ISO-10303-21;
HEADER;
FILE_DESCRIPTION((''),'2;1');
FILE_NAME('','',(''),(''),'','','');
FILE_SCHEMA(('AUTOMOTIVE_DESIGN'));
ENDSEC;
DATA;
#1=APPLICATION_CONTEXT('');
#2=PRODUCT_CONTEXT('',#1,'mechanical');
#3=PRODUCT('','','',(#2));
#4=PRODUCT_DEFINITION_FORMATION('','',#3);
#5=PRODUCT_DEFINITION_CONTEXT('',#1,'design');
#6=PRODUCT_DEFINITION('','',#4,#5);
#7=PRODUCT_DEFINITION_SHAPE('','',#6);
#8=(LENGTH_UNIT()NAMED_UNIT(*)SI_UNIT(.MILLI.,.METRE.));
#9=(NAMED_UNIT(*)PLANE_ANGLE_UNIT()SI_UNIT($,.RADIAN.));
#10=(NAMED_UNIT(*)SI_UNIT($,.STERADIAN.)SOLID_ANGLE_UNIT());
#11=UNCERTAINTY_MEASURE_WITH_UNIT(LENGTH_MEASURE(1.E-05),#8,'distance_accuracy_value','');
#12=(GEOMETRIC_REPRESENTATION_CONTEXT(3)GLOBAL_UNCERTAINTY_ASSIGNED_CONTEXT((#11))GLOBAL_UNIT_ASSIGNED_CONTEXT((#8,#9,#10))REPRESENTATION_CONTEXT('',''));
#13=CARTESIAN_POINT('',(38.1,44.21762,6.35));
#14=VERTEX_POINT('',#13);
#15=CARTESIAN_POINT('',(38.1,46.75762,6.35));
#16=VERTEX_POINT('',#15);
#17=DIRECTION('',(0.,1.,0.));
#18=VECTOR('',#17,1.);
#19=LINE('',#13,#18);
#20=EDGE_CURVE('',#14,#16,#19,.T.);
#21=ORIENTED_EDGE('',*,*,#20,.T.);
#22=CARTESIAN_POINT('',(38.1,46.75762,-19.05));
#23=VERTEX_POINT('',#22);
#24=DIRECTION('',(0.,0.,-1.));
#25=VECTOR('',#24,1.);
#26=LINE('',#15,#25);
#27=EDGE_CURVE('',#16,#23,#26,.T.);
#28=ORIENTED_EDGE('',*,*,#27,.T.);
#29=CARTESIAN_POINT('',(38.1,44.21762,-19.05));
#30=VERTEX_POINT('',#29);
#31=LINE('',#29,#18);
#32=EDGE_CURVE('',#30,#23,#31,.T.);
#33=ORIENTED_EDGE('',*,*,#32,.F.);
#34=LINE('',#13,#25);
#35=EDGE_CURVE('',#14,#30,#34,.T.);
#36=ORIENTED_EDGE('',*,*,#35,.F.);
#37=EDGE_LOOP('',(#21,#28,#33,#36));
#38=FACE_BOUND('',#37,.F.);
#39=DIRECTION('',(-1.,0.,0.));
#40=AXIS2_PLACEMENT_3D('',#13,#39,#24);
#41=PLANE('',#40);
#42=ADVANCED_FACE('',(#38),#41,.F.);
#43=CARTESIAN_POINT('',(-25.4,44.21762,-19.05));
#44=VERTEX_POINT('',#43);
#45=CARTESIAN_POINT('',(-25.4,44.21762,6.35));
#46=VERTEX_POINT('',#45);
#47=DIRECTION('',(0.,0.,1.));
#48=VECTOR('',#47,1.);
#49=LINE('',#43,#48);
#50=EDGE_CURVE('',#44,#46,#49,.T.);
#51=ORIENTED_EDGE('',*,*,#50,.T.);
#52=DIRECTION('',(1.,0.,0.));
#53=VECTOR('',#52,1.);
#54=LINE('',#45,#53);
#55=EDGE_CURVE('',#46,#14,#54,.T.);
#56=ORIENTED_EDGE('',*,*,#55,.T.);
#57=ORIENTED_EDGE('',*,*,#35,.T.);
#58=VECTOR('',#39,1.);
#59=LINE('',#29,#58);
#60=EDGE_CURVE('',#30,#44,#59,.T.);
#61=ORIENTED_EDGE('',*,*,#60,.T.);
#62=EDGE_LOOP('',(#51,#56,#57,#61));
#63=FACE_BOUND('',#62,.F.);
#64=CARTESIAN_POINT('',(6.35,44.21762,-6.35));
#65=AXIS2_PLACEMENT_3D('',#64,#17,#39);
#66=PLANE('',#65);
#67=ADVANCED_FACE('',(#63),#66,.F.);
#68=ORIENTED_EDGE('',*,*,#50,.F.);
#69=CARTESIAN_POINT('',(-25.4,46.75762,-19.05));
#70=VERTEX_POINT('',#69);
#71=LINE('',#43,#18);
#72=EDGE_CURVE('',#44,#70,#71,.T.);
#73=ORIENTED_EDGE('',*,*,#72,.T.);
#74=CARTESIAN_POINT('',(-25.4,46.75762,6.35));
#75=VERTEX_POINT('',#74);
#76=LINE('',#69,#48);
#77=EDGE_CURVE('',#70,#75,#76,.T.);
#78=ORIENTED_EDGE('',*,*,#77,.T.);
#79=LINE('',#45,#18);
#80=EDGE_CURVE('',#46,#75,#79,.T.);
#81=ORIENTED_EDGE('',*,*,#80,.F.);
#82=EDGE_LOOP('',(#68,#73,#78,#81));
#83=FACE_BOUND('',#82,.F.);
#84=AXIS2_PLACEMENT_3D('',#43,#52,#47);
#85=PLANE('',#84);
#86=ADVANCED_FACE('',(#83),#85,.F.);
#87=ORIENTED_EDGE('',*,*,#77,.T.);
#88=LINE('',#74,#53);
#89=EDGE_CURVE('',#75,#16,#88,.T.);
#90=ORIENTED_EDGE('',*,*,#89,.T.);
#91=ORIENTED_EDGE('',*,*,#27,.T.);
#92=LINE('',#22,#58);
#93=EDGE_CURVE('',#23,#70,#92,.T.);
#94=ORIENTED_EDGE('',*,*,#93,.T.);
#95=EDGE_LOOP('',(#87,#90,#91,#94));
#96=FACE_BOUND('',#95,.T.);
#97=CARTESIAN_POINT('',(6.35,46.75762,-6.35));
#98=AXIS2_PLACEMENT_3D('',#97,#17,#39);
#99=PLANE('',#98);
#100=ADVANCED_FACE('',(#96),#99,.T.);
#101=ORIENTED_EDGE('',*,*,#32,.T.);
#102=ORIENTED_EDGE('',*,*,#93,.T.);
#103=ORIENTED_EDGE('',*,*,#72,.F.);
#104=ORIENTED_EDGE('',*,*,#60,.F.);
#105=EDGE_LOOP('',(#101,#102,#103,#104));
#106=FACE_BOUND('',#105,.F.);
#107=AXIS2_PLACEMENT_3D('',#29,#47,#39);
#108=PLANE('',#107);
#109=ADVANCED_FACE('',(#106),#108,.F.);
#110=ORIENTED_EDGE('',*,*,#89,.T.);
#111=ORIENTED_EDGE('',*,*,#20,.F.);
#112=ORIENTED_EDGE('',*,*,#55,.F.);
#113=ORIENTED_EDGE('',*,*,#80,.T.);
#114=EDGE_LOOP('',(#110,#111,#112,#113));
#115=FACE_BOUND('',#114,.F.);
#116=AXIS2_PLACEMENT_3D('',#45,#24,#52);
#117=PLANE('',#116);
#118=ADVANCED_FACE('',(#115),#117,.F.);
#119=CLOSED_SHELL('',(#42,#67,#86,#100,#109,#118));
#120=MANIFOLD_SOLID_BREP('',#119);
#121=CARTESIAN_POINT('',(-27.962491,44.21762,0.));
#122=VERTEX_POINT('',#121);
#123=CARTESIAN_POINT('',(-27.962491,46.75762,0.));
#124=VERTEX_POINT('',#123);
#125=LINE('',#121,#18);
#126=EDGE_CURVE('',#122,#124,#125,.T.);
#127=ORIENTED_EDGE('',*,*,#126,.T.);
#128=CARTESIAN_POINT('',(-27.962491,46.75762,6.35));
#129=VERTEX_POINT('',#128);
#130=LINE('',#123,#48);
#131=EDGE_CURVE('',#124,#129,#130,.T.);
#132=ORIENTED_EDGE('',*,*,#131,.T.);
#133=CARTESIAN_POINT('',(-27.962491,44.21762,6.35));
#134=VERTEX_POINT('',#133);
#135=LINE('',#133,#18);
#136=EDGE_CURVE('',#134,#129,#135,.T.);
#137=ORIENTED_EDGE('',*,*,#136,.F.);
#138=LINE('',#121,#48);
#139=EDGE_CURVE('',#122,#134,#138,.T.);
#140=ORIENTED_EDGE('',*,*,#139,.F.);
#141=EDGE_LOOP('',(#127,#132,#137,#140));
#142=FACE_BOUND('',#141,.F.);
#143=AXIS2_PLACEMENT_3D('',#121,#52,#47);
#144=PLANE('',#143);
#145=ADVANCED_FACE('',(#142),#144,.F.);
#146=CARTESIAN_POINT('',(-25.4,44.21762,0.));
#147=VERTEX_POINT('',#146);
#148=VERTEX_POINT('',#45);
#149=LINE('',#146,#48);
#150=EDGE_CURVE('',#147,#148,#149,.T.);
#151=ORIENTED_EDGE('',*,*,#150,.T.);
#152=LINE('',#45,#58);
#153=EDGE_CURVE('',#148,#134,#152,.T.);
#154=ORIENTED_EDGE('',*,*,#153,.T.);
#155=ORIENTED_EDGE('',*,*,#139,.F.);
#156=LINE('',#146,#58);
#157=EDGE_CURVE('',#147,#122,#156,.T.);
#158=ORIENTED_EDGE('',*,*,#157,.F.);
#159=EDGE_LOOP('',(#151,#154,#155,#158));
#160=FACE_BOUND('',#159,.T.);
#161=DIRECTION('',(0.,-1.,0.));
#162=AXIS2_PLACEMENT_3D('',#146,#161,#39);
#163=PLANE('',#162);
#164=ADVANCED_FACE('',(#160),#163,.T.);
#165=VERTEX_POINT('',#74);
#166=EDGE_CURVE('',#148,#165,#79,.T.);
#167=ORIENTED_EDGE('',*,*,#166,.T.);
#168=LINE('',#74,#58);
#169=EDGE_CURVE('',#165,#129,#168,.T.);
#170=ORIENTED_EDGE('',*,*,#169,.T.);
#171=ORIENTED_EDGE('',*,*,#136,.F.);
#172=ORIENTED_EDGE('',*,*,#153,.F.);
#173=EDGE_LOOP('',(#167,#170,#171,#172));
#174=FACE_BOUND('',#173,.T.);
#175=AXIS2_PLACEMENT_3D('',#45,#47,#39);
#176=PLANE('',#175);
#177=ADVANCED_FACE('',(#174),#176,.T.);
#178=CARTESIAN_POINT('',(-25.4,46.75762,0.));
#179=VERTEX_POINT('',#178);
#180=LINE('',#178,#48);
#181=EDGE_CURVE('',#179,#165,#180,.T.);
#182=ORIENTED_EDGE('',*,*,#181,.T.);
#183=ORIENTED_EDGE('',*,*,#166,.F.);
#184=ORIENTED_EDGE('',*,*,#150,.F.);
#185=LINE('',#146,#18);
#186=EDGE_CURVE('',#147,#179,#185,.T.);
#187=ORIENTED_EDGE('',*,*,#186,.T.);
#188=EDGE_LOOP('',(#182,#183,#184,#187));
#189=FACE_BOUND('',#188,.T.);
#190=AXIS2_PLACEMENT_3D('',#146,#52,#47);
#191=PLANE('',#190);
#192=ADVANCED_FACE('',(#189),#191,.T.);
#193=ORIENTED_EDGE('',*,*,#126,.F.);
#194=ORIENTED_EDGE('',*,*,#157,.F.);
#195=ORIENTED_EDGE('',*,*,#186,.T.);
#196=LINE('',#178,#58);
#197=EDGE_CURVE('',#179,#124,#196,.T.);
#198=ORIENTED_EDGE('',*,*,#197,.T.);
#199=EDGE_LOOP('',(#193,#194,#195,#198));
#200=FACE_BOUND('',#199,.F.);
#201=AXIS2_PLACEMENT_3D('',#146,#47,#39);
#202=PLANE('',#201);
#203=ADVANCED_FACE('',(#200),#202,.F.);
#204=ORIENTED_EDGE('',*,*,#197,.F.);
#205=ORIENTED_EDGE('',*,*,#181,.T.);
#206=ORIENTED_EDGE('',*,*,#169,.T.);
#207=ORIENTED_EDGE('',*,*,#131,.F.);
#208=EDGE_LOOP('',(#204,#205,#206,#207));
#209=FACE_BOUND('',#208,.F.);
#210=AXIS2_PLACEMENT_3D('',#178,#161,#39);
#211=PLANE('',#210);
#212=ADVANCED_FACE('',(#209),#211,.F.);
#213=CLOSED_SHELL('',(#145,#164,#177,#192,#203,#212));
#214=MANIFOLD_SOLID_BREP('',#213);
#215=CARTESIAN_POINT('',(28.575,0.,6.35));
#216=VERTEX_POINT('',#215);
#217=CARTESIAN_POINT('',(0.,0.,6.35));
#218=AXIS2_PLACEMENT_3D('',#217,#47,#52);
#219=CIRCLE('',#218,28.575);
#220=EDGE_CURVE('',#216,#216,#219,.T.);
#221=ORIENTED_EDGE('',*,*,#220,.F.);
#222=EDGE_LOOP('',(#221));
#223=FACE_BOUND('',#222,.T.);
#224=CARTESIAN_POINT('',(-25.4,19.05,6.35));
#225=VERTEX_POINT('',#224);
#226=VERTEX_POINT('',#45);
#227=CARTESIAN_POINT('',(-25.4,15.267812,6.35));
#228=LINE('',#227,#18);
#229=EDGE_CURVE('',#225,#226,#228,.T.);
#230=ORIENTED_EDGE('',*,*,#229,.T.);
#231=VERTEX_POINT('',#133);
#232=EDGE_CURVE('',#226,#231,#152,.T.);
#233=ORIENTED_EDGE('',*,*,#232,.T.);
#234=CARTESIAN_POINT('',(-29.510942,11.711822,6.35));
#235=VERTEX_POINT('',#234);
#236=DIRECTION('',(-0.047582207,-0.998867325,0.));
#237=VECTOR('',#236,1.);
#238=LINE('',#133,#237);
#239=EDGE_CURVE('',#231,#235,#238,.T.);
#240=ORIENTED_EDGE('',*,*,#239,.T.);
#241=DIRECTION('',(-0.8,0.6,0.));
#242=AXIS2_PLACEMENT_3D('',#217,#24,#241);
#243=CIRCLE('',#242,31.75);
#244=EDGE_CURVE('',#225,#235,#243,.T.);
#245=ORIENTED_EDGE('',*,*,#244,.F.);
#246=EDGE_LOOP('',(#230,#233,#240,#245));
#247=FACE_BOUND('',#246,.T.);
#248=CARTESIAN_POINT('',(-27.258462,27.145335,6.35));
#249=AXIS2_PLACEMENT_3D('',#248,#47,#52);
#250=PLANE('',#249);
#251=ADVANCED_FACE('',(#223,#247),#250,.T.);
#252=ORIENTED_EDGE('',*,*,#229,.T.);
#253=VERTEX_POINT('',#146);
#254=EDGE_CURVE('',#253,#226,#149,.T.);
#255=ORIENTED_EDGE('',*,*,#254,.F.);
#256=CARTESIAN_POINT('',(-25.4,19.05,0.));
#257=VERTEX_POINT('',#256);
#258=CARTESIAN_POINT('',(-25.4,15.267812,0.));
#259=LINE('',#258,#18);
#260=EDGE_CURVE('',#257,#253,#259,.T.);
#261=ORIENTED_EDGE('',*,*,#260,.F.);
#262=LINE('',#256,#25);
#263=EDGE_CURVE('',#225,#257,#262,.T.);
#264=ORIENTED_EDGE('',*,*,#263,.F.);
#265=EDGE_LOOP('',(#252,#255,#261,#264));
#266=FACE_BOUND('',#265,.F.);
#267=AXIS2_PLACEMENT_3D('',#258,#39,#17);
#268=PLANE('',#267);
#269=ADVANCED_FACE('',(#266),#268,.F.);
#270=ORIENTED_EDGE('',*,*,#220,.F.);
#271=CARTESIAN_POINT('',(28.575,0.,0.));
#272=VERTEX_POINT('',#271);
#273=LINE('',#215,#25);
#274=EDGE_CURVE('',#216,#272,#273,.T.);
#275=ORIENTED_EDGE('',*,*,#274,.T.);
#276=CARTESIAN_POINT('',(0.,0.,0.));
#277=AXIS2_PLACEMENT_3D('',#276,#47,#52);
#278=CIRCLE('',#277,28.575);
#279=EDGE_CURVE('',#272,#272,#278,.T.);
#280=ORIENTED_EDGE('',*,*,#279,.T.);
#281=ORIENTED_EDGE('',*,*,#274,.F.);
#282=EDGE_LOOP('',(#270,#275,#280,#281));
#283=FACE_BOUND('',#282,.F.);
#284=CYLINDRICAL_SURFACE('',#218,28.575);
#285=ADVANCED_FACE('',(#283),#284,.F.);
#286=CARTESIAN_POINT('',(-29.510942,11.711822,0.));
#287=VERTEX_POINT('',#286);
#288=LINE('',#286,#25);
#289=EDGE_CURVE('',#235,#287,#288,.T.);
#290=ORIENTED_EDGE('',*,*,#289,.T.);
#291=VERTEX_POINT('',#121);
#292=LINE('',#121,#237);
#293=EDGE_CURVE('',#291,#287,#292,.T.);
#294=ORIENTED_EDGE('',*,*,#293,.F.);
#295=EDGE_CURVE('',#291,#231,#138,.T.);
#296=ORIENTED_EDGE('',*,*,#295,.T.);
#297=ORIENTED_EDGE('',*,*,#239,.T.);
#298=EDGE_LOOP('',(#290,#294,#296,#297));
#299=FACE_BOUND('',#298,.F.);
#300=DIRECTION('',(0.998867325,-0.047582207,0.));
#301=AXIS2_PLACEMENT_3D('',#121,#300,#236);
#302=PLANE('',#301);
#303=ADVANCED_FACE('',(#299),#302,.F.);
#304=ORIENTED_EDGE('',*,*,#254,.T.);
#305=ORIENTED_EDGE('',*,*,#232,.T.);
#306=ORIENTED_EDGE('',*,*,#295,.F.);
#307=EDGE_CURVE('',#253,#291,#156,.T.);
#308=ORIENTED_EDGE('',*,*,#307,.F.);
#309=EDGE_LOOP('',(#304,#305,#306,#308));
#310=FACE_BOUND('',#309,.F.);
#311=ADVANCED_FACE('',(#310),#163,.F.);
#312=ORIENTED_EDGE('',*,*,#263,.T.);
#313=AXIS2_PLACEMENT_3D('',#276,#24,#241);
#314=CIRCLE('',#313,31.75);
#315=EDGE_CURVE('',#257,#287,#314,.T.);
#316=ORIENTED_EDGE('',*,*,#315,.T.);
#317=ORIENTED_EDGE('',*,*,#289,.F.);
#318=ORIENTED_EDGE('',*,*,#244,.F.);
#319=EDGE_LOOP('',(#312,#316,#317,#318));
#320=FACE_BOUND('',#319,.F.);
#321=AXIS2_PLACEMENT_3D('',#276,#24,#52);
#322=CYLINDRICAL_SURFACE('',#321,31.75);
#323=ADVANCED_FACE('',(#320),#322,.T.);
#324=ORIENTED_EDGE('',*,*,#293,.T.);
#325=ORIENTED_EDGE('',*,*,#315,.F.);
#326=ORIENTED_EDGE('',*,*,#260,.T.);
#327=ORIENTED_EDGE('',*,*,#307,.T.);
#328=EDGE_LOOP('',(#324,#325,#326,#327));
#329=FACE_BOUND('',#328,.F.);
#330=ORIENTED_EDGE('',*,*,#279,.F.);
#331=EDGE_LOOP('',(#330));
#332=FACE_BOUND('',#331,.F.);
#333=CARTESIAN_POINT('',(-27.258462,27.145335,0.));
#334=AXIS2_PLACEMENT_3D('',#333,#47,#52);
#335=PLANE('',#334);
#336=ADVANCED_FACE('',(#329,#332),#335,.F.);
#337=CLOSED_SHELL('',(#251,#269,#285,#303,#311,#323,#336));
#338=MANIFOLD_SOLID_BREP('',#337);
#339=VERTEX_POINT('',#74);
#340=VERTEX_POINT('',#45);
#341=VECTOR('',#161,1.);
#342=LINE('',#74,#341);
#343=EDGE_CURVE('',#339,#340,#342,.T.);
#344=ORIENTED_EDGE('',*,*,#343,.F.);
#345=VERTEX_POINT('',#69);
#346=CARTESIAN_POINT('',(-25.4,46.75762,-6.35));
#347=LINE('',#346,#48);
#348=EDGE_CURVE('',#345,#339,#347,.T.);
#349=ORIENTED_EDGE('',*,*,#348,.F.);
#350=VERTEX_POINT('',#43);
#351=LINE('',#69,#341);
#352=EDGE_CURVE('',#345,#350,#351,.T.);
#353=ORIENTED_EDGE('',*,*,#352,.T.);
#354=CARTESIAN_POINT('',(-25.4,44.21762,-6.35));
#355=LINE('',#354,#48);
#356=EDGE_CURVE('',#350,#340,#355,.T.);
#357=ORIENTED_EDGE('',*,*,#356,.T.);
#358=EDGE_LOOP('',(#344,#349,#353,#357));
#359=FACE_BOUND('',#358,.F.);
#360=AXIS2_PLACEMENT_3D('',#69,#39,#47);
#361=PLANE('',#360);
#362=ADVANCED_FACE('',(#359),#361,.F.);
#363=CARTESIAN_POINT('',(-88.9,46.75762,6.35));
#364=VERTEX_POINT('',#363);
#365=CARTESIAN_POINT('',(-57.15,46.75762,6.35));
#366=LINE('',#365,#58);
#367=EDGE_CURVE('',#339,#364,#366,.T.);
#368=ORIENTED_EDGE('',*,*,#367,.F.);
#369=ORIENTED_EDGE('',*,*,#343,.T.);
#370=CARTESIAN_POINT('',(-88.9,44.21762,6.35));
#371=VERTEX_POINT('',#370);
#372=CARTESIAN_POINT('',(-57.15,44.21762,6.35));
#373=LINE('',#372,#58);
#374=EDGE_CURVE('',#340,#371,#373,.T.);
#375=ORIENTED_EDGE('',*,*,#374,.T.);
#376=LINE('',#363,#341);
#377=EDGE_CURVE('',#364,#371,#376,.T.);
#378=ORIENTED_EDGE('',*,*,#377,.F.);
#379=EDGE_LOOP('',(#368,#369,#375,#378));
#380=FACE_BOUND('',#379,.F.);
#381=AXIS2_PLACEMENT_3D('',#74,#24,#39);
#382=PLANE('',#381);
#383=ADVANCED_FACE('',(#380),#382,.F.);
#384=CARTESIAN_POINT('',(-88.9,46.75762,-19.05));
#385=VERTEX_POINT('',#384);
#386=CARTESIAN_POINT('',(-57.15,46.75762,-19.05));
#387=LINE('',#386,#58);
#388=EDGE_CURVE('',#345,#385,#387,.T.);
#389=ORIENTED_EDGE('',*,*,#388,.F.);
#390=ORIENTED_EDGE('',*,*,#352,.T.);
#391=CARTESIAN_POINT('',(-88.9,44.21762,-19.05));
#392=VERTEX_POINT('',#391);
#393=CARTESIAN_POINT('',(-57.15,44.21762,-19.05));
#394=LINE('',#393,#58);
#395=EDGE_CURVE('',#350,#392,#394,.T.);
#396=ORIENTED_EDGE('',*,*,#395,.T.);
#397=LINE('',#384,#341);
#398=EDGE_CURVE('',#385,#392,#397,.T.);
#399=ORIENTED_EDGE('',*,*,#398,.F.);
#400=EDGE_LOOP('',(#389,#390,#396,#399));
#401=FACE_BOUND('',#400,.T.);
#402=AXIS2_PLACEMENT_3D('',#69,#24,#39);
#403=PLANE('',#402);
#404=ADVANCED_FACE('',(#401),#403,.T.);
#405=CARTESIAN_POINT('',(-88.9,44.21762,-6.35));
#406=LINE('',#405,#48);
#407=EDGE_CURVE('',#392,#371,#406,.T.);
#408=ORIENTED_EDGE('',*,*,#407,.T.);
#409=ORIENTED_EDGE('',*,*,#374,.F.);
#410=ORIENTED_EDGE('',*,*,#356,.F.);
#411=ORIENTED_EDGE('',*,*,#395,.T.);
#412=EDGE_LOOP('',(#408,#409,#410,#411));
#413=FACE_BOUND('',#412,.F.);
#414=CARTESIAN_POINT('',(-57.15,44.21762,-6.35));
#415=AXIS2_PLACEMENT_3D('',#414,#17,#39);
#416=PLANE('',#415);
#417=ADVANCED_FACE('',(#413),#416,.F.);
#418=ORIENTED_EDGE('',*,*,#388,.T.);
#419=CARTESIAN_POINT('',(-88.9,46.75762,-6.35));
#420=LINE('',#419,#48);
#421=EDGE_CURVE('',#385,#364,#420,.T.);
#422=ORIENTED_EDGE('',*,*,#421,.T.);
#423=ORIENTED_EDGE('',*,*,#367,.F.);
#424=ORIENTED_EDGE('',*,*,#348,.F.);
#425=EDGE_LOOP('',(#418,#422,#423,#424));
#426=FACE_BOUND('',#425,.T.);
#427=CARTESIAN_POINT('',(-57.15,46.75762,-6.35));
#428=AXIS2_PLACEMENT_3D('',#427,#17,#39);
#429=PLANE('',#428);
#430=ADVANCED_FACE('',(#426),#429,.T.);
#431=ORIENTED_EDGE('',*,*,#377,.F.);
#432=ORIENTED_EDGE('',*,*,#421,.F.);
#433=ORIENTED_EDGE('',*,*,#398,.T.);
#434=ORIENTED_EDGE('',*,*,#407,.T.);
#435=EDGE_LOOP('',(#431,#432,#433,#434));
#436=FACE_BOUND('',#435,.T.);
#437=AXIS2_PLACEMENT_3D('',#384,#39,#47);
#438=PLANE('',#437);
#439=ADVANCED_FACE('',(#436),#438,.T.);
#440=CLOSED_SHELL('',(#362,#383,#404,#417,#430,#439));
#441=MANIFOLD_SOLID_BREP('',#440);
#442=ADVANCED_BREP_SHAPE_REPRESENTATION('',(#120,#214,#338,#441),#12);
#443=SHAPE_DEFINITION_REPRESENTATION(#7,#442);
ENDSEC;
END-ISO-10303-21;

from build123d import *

# Parameters (mm, degrees)
F0_R      = 31.75
F1_DEPTH  = 6.35
F2_R      = 28.575
F3_DEPTH  = 25.4
F6_DEPTH  = 6.35
F8_DEPTH  = 2.54
F9_DEPTH  = 2.54
F10_W     = 63.5
F10_H     = 25.4
F11_DEPTH = 2.54


with BuildPart() as f1:
    # F0 (on Top) → F1 (new body)
    with BuildSketch(Plane.XY):
        Circle(F0_R)
    extrude(amount=F1_DEPTH)

    # F2 (on face) → F3 (cut)
    with BuildSketch(Plane.XY.offset(6.35)):
        Circle(F2_R)
    extrude(amount=-F3_DEPTH, mode=Mode.SUBTRACT)

    # F5 (on face) → F6 (join)
    with BuildSketch(Plane.XY):
        Polygon((-27.9624909163, 44.2176200449), (-29.6212788671, 9.3955891207), (-25.4, 15.2678118412), (-25.4, 44.2176200449), align=None)
    extrude(amount=F6_DEPTH)


with BuildPart() as f8:
    # F7 (on face) → F8 (new body)
    with BuildSketch(Plane(origin=(0, 44.2176200449, 0), x_dir=(-1, 0, 0), z_dir=(0, 1, 0))):
        Polygon((25.4, 0), (25.4, 6.35), (-38.1, 6.35), (-38.1, -19.05), (25.4, -19.05), align=None)
    extrude(amount=F8_DEPTH)


with BuildPart() as f9:
    # F9 (new): a face of the model
    f9_faces = [f1.part.faces().sort_by_distance(p)[0] for p in [
        (-26.6812454581, 44.2176200449, 3.175),
    ]]
    extrude(f9_faces, amount=F9_DEPTH)


with BuildPart() as f11:
    # F10 (on face) → F11 (new body)
    with BuildSketch(Plane(origin=(0, 46.7576200449, 0), x_dir=(-1, 0, 0), z_dir=(0, 1, 0))):
        with Locations((57.15, -6.35)):
            Rectangle(F10_W, F10_H)
    extrude(amount=-F11_DEPTH)


solid = Compound([f1.part, f8.part, f9.part, f11.part])
